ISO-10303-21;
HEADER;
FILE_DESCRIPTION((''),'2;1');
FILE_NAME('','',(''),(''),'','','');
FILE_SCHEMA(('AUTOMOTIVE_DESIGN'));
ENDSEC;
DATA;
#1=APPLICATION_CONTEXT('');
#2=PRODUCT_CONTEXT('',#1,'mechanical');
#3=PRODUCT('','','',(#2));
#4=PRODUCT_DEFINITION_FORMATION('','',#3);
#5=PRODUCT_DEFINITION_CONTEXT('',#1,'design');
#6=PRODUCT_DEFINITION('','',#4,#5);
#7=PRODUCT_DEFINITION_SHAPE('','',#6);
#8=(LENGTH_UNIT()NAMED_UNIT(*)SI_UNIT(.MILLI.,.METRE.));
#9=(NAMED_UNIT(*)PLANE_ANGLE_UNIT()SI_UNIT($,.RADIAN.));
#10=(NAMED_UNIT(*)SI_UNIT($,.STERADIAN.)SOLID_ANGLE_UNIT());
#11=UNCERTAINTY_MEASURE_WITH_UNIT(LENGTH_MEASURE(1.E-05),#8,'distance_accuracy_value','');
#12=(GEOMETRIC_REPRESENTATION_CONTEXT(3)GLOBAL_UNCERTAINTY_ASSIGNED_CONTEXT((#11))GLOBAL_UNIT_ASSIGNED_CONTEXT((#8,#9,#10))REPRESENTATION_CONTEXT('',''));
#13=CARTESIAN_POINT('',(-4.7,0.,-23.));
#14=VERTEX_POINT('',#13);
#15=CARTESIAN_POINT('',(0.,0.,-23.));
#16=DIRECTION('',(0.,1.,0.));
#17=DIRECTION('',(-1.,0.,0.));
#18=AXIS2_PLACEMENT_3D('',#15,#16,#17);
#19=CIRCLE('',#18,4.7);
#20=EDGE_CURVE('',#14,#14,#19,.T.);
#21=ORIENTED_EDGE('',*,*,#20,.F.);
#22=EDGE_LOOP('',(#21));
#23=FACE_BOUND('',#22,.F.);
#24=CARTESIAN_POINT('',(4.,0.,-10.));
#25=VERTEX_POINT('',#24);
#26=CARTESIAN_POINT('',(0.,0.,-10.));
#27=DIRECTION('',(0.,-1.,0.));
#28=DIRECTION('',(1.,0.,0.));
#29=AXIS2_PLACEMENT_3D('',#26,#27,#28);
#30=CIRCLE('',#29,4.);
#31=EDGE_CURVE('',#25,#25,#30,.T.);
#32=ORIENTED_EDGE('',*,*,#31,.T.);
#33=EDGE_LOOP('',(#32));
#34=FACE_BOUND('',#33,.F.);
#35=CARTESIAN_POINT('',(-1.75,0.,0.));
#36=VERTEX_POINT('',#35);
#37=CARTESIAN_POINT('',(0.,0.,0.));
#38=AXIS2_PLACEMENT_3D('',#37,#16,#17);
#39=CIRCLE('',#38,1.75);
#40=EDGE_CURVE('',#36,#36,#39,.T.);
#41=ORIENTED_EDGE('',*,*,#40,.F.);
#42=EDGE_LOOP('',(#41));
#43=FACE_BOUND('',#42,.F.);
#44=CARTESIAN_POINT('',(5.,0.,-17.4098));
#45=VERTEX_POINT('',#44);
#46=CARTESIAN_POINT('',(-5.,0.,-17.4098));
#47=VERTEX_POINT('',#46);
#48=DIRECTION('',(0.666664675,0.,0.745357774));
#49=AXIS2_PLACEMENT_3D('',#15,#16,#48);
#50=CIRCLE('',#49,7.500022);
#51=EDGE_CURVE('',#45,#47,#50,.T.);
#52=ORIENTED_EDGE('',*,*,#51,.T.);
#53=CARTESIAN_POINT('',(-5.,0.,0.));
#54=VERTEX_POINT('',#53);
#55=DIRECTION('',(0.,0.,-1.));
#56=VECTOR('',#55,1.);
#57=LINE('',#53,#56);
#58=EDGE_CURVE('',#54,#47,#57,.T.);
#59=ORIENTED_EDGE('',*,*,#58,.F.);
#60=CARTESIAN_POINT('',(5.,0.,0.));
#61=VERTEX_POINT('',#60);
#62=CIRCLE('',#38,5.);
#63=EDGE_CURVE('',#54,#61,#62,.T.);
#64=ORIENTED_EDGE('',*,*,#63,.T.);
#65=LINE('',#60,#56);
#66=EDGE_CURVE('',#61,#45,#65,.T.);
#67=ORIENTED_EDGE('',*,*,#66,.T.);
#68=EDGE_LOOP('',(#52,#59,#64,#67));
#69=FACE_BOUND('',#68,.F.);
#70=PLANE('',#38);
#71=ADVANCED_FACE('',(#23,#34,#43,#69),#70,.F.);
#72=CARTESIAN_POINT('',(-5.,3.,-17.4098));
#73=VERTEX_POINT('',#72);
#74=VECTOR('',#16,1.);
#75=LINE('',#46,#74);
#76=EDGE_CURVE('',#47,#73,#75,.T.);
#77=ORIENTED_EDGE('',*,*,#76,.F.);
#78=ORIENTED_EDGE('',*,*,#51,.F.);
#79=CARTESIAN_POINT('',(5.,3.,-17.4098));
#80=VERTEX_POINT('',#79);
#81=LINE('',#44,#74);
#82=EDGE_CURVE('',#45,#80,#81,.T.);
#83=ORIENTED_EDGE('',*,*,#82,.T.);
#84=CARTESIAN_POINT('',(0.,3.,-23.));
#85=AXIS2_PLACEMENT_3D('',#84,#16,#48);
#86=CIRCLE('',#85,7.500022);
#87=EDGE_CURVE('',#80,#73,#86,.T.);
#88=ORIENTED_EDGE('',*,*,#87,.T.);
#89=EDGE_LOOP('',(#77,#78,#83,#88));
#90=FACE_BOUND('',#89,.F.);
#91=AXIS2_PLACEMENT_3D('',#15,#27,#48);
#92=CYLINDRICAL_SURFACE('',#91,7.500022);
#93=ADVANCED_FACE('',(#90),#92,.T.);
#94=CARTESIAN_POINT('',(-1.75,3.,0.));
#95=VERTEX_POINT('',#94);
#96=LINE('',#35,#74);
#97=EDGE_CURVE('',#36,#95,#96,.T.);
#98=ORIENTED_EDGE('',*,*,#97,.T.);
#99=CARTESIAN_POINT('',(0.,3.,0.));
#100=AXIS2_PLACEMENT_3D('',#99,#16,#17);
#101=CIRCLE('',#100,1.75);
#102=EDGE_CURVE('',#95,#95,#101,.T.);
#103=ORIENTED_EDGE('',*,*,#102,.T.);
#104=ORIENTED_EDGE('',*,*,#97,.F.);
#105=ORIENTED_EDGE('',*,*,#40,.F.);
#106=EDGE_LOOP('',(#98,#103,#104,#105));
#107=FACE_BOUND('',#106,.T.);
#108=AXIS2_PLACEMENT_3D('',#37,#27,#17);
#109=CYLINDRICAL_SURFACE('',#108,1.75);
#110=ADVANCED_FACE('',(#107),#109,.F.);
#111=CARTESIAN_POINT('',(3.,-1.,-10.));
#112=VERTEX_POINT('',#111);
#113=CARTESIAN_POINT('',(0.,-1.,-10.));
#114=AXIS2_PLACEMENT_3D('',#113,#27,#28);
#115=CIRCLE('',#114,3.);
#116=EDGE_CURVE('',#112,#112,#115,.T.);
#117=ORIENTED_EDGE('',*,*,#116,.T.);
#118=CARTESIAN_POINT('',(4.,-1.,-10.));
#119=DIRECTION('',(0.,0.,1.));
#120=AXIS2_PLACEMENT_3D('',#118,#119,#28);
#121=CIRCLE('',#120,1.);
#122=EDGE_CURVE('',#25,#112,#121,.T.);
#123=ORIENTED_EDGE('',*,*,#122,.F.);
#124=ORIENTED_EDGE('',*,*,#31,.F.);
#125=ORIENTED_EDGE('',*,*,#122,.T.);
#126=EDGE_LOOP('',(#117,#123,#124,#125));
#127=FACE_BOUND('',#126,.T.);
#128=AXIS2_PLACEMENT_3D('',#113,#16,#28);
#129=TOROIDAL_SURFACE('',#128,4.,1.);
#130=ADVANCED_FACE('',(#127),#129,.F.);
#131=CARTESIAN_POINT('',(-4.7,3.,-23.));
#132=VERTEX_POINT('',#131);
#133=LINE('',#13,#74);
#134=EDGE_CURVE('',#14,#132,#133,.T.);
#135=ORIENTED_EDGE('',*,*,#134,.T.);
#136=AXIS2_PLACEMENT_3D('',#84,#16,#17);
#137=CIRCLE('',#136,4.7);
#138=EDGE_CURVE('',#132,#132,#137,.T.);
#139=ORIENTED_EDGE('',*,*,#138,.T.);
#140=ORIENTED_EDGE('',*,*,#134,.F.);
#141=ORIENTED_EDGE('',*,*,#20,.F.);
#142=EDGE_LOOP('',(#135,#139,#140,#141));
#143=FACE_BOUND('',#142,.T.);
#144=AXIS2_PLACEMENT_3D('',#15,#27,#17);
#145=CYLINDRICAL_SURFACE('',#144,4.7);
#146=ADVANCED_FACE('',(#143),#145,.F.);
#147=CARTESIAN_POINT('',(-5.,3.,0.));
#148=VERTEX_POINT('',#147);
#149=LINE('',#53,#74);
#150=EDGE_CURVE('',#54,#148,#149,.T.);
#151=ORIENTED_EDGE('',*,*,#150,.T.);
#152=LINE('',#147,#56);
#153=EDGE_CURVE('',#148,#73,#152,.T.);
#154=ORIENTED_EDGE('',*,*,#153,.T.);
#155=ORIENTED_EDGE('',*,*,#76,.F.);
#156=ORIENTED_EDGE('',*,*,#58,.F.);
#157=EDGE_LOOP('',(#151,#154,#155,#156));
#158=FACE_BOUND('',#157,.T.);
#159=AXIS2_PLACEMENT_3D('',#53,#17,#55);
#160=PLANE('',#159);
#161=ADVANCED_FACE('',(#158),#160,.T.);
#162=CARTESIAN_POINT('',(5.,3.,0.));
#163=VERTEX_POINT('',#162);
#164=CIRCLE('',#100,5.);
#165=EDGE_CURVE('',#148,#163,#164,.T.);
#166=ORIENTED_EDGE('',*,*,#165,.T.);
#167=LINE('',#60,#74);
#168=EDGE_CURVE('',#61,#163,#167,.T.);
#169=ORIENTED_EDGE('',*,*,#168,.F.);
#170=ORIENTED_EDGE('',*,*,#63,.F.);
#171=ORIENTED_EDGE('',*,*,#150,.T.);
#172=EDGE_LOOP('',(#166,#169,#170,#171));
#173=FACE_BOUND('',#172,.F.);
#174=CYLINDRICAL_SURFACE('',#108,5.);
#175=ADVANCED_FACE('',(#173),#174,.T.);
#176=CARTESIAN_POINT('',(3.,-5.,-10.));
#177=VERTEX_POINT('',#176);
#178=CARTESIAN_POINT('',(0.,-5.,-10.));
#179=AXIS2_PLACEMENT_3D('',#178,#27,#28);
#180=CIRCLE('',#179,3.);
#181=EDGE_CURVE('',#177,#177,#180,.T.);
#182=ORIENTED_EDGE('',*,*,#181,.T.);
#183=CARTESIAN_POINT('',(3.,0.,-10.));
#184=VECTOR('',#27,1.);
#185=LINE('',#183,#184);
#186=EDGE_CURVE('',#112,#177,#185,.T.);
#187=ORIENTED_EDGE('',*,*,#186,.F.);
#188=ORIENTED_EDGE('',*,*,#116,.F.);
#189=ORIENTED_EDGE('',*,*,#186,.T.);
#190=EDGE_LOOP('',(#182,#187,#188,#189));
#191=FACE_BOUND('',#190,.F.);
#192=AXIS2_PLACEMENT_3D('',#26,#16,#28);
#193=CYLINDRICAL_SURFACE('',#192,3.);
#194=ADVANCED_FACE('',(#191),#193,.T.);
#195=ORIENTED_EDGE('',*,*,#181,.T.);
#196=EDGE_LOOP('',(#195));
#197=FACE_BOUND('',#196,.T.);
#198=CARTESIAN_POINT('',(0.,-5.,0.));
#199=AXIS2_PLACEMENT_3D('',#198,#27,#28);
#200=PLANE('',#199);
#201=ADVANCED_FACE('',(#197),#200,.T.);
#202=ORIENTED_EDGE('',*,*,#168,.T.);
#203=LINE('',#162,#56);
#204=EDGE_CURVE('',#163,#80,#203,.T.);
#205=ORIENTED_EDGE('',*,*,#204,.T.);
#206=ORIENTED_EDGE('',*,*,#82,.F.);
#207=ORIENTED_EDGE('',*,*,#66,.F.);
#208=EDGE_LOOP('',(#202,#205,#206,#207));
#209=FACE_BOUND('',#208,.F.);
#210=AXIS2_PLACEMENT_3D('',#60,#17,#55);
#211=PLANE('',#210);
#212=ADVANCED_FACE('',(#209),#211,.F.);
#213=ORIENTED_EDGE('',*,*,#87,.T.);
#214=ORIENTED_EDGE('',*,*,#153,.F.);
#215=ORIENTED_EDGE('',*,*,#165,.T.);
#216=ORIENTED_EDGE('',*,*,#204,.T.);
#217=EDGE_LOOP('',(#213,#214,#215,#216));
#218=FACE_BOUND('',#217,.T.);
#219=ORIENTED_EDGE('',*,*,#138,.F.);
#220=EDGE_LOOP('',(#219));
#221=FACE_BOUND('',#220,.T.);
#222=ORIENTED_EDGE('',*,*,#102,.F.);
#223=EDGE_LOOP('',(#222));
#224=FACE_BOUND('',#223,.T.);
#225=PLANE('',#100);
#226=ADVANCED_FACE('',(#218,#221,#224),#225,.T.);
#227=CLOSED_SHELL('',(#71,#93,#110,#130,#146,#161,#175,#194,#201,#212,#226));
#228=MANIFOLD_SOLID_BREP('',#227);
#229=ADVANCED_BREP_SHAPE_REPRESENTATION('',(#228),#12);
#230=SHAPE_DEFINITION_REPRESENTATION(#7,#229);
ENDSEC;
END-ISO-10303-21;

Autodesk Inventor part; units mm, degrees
ref_plane "YZ Plane" through (0, 0, 0) normal (1, 0, 0) x (0, 1, 0)
ref_plane "XY Plane" through (0, 0, 0) normal (0, 0, 1) x (1, 0, 0)
sketch "草圖1" plane through (0, 0, 0) normal (0, 1, 0) x (-1, 0, 0)
  circle A0 centre (0, 0) radius 1.75
  arc A1 (5, 0) -> (-5, 0) centre (0, 0) ccw
  circle A2 centre (0, -23) radius 4.7
  arc A3 (-5, -17.4098) -> (5, -17.4098) centre (0, -23) ccw
  line L0 (-5, 0) -> (-5, -17.4098)
  line L1 (5, 0) -> (5, -17.4098)
  line L2 (0, 0) -> (0, -1.75) construction
  line L3 (0, -15.5) -> (0, -23) construction
  dimension "d0" = 3.5
  dimension "d1" = 10
  dimension "d2" = 23
  dimension "d3" = 9.4
  dimension "d4" = 15
extrude "擠出1" add sketch "草圖1" along normal blind 3
ref_plane "工作平面2" through (0, 2.2, 0) normal (0, 1, 0) x (-1, 0, 0)
sketch "草圖3" plane through (0, 2.2, 0) normal (0, 1, 0) x (-1, 0, 0)
  circle A0 centre (0, -23) radius 4.7 projected
  circle A1 centre (0, 0) radius 1.75 projected
  line L0 (-5, 0) -> (-5, -17.4098) projected
  arc A2 (-5, -17.4098) -> (5, -17.4098) centre (0, -23) ccw projected
  line L1 (5, -17.4098) -> (5, 0) projected
  arc A3 (5, 0) -> (-5, 0) centre (0, 0) ccw projected
sketch "草圖4" plane through (0, 0, 0) normal (0, -1, 0) x (1, 0, 0)
  line L0 (0, 0) -> (0, -10) construction
  circle A0 centre (0, -10) radius 3
  dimension "d13" = 10
  dimension "d14" = 6
extrude "擠出3" add sketch "草圖4" along normal blind 5
fillet "圓角1" radius 1 1 edges at (-3, 0, -10)
properties part number "轉軸" material "ABS Plastic"
